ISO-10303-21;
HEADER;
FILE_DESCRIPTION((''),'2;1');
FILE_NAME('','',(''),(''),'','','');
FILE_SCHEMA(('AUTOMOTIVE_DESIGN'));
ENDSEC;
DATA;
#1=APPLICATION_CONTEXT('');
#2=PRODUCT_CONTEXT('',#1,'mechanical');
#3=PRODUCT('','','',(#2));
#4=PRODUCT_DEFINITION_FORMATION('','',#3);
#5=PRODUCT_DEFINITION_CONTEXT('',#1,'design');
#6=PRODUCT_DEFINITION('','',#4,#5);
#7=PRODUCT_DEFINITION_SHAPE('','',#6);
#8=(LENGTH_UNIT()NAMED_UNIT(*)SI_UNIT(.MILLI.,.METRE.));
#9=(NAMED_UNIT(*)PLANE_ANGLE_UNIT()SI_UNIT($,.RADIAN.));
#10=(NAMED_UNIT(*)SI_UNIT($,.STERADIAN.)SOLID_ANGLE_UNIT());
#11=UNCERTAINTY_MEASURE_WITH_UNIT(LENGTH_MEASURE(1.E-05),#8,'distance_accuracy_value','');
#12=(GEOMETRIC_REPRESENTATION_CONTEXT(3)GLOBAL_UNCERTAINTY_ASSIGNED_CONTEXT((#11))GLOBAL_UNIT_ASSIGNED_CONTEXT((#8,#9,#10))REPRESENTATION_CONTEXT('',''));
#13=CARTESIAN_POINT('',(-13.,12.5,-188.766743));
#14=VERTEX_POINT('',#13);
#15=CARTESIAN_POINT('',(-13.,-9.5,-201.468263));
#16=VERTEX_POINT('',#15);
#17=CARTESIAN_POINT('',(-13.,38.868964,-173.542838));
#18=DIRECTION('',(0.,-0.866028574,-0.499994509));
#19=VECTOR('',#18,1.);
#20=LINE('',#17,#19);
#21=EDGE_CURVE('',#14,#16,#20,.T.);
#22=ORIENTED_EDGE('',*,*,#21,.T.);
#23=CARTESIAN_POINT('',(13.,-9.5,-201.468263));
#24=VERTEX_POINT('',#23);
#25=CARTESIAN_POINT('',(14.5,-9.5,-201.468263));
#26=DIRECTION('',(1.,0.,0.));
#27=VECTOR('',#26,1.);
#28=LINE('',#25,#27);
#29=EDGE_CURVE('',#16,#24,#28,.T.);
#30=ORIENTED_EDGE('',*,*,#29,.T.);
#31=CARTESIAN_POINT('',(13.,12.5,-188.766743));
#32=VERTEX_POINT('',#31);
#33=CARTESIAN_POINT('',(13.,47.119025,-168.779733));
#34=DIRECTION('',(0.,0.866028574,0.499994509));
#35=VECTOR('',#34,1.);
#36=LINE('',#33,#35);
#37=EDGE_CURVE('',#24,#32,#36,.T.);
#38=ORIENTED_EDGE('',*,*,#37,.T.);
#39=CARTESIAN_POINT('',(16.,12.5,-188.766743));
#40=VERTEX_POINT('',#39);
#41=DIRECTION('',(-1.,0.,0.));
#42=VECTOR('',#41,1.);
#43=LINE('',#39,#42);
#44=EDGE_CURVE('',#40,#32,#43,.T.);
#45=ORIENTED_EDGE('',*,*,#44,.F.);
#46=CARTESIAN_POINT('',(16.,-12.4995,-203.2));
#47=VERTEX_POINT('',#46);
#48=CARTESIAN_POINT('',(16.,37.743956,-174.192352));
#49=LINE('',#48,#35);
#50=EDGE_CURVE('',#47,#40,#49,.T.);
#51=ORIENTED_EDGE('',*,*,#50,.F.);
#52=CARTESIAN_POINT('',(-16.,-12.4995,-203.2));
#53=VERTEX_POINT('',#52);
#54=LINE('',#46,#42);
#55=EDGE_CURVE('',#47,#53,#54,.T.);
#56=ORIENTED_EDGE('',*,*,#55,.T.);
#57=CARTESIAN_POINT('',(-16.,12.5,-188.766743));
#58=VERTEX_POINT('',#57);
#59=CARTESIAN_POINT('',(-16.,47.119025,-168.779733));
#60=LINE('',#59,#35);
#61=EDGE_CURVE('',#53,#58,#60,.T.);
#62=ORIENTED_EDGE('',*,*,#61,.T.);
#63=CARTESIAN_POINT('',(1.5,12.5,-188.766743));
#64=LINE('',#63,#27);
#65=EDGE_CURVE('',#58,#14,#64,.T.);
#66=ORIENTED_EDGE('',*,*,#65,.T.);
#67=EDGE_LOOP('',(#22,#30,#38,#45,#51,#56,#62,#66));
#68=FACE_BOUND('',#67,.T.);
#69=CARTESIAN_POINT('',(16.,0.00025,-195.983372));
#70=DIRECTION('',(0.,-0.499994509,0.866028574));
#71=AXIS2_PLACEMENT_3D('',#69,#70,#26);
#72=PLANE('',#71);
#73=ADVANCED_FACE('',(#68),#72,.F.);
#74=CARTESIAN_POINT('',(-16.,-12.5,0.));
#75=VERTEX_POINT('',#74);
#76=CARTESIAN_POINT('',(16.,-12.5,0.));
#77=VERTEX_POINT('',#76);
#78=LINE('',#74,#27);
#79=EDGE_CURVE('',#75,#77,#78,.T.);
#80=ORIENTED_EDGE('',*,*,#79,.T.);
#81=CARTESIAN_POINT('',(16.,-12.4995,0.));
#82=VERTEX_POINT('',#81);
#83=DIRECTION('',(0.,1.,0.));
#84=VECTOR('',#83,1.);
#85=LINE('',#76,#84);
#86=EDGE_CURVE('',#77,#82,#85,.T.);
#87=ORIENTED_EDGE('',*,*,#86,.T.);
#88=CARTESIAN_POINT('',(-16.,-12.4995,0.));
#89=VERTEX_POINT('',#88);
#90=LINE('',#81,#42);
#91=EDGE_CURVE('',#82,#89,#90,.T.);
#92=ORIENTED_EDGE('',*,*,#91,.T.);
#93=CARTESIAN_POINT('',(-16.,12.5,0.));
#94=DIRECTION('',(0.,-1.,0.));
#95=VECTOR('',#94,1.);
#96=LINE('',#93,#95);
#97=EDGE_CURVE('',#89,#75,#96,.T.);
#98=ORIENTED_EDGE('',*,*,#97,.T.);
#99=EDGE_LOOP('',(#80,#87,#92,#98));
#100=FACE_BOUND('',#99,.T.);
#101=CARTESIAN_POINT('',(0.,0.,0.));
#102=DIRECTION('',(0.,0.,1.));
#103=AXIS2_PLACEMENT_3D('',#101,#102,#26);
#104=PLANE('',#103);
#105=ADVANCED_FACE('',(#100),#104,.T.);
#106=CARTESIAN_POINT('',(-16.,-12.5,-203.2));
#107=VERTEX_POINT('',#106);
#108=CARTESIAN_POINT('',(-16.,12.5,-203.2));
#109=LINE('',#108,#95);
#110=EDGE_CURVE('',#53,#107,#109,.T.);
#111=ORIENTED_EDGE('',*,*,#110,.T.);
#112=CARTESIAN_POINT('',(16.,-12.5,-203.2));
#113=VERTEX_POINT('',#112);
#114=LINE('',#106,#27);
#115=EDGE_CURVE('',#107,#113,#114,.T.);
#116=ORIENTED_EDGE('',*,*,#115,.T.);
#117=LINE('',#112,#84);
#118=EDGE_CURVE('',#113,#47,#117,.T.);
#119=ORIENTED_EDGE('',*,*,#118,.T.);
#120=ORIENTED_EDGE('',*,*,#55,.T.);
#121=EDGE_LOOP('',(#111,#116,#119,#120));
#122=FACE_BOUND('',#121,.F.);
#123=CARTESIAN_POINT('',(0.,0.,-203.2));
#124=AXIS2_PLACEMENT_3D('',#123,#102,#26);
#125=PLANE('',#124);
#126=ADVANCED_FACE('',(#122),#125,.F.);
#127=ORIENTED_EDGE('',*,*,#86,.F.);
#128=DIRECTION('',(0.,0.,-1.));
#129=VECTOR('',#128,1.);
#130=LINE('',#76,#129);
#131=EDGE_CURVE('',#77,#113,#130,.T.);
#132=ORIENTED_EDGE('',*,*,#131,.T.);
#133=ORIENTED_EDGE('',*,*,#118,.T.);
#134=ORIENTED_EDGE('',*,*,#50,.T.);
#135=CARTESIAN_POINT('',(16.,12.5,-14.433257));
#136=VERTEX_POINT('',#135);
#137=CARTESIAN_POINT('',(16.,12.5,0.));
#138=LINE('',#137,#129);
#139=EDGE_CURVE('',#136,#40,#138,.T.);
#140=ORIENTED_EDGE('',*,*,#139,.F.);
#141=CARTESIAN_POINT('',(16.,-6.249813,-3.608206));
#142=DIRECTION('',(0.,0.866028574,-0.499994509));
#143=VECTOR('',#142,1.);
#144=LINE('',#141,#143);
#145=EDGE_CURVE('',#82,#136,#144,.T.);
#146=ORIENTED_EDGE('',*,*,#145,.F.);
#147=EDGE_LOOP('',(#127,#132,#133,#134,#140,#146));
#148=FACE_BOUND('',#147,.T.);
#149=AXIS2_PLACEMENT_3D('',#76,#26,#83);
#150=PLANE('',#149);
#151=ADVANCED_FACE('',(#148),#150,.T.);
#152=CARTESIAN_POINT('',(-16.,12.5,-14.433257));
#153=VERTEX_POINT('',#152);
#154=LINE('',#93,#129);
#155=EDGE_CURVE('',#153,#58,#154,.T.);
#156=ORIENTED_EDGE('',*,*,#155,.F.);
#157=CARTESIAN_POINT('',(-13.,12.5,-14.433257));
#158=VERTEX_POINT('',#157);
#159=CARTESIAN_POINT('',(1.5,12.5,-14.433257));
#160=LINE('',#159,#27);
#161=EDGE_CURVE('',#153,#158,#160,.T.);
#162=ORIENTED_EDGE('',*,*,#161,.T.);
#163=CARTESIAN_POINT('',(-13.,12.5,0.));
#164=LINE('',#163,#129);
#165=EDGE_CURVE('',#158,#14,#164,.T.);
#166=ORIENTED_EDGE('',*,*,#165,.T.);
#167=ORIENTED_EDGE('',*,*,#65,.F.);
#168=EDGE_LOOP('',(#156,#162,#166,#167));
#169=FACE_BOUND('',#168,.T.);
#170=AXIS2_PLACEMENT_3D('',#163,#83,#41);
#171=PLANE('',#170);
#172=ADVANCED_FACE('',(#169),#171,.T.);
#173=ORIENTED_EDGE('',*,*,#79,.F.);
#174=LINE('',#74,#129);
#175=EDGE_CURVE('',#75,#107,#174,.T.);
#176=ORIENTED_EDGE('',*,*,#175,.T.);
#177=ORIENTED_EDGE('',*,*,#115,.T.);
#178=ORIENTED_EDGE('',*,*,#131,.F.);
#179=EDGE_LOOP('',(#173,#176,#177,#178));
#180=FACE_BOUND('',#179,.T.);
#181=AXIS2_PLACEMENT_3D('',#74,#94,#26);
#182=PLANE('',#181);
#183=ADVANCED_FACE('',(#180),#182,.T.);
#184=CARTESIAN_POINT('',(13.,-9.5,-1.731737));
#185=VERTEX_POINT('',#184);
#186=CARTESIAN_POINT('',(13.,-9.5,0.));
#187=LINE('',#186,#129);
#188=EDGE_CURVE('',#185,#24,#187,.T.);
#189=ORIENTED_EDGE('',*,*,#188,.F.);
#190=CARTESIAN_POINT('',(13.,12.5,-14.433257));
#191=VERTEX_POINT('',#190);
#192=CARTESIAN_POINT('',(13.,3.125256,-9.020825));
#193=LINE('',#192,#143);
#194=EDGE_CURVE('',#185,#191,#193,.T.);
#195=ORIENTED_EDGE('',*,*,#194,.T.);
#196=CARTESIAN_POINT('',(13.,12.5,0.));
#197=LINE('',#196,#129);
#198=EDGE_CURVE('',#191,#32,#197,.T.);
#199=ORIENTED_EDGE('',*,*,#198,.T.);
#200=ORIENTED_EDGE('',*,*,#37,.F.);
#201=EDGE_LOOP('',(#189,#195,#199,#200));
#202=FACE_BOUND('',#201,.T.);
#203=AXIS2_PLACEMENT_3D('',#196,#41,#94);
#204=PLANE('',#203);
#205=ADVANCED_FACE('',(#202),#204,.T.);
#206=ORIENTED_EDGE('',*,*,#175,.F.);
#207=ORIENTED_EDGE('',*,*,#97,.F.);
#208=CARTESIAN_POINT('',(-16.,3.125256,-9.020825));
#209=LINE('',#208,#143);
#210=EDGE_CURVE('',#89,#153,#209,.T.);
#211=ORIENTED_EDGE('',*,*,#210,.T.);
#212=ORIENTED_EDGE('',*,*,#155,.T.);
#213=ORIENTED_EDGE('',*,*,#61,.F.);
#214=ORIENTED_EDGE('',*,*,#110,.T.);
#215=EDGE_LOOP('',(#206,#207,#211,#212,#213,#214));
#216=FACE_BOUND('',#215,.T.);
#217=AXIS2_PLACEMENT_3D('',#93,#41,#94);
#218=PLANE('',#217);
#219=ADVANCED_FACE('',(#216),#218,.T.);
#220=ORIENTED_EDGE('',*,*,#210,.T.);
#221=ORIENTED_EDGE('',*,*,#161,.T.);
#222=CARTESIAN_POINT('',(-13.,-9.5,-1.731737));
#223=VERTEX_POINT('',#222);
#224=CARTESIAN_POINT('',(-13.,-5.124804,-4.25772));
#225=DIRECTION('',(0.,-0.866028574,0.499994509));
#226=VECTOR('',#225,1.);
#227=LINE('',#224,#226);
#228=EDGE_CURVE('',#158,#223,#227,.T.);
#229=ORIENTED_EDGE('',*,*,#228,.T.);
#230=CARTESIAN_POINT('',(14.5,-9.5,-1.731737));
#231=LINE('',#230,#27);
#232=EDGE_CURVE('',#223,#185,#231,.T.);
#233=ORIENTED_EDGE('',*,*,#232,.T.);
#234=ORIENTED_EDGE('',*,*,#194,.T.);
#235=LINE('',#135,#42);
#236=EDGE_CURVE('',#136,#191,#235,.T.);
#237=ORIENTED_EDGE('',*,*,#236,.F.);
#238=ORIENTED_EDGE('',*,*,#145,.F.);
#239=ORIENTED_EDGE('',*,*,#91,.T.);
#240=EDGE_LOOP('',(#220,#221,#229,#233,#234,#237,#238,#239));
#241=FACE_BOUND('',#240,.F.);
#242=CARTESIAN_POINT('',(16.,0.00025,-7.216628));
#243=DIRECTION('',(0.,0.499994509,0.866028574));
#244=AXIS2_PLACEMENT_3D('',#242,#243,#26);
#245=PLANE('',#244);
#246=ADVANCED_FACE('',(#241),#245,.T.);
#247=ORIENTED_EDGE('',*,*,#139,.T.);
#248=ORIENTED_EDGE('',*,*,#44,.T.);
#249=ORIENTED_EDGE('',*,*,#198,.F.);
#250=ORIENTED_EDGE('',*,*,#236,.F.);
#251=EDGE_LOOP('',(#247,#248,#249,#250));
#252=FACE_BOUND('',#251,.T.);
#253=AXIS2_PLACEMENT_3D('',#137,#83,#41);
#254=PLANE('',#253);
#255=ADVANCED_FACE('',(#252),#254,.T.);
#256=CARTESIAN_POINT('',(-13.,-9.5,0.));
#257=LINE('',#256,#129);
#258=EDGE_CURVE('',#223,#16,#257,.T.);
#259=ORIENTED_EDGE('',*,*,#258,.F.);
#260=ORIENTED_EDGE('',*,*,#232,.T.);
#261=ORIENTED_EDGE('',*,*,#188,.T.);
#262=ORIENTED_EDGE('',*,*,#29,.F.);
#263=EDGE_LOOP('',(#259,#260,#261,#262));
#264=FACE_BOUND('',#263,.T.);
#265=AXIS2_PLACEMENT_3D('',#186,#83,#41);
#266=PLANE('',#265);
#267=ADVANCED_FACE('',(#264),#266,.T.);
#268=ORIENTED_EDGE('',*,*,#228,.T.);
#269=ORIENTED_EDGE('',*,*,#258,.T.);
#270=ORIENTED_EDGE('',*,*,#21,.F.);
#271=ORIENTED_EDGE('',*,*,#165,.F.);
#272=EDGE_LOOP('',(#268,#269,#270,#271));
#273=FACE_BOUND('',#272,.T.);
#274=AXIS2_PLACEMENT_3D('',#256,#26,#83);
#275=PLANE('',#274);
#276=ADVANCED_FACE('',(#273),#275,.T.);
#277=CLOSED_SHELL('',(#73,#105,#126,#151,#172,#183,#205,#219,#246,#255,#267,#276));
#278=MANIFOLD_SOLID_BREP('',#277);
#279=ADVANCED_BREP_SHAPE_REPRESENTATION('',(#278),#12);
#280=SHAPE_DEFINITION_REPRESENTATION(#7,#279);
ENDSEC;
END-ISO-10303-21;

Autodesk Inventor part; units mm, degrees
ref_plane "YZ Plane" through (0, 0, 0) normal (1, 0, 0) x (0, 1, 0)
ref_plane "XZ Plane" through (0, 0, 0) normal (0, 1, 0) x (-1, 0, 0)
ref_plane "XY Plane" through (0, 0, 0) normal (0, 0, 1) x (1, 0, 0)
sketch "Sketch1" plane through (0, 0, 0) normal (0, 0, 1) x (1, 0, 0)
  line L0 (-16, -12.5) -> (16, -12.5)
  line L1 (16, -12.5) -> (16, 12.5)
  line L2 (16, 12.5) -> (13, 12.5)
  line L3 (13, 12.5) -> (13, -9.5)
  line L4 (13, -9.5) -> (-13, -9.5)
  line L5 (-13, -9.5) -> (-13, 12.5)
  line L6 (-13, 12.5) -> (-16, 12.5)
  line L7 (-16, 12.5) -> (-16, -12.5)
  point P0 (0, 0)
  dimension "d0" = 32
  dimension "d1" = 25
  dimension "d2" = 3
  dimension "d3" = 90
  dimension "d4" = 22
  dimension "d5" = 26
  dimension "d6" = 22
  dimension "d7" = 3
  dimension "d8" = 25
  dimension "d10" = 12.5
  dimension "d11" = 16
extrude "Extrusion1" add sketch "Sketch1" against normal blind 203.2
chamfer "Chamfer1" distance 25 angle 30 1 edges at (14.5, 12.5, 0) measured on face at (4.3333, -11.5, 0)
chamfer "Chamfer2" distance 25 angle 30 1 edges at (14.5, 12.5, -203.2) measured on face at (4.3333, -11.5, -203.2)
equation "\"d5\" = d0 - 2 * d7"
equation "\"d10\" = 0.5 * d1"
equation "\"d11\" = 0.5 * d0"
properties part number "Chassis Corner"
